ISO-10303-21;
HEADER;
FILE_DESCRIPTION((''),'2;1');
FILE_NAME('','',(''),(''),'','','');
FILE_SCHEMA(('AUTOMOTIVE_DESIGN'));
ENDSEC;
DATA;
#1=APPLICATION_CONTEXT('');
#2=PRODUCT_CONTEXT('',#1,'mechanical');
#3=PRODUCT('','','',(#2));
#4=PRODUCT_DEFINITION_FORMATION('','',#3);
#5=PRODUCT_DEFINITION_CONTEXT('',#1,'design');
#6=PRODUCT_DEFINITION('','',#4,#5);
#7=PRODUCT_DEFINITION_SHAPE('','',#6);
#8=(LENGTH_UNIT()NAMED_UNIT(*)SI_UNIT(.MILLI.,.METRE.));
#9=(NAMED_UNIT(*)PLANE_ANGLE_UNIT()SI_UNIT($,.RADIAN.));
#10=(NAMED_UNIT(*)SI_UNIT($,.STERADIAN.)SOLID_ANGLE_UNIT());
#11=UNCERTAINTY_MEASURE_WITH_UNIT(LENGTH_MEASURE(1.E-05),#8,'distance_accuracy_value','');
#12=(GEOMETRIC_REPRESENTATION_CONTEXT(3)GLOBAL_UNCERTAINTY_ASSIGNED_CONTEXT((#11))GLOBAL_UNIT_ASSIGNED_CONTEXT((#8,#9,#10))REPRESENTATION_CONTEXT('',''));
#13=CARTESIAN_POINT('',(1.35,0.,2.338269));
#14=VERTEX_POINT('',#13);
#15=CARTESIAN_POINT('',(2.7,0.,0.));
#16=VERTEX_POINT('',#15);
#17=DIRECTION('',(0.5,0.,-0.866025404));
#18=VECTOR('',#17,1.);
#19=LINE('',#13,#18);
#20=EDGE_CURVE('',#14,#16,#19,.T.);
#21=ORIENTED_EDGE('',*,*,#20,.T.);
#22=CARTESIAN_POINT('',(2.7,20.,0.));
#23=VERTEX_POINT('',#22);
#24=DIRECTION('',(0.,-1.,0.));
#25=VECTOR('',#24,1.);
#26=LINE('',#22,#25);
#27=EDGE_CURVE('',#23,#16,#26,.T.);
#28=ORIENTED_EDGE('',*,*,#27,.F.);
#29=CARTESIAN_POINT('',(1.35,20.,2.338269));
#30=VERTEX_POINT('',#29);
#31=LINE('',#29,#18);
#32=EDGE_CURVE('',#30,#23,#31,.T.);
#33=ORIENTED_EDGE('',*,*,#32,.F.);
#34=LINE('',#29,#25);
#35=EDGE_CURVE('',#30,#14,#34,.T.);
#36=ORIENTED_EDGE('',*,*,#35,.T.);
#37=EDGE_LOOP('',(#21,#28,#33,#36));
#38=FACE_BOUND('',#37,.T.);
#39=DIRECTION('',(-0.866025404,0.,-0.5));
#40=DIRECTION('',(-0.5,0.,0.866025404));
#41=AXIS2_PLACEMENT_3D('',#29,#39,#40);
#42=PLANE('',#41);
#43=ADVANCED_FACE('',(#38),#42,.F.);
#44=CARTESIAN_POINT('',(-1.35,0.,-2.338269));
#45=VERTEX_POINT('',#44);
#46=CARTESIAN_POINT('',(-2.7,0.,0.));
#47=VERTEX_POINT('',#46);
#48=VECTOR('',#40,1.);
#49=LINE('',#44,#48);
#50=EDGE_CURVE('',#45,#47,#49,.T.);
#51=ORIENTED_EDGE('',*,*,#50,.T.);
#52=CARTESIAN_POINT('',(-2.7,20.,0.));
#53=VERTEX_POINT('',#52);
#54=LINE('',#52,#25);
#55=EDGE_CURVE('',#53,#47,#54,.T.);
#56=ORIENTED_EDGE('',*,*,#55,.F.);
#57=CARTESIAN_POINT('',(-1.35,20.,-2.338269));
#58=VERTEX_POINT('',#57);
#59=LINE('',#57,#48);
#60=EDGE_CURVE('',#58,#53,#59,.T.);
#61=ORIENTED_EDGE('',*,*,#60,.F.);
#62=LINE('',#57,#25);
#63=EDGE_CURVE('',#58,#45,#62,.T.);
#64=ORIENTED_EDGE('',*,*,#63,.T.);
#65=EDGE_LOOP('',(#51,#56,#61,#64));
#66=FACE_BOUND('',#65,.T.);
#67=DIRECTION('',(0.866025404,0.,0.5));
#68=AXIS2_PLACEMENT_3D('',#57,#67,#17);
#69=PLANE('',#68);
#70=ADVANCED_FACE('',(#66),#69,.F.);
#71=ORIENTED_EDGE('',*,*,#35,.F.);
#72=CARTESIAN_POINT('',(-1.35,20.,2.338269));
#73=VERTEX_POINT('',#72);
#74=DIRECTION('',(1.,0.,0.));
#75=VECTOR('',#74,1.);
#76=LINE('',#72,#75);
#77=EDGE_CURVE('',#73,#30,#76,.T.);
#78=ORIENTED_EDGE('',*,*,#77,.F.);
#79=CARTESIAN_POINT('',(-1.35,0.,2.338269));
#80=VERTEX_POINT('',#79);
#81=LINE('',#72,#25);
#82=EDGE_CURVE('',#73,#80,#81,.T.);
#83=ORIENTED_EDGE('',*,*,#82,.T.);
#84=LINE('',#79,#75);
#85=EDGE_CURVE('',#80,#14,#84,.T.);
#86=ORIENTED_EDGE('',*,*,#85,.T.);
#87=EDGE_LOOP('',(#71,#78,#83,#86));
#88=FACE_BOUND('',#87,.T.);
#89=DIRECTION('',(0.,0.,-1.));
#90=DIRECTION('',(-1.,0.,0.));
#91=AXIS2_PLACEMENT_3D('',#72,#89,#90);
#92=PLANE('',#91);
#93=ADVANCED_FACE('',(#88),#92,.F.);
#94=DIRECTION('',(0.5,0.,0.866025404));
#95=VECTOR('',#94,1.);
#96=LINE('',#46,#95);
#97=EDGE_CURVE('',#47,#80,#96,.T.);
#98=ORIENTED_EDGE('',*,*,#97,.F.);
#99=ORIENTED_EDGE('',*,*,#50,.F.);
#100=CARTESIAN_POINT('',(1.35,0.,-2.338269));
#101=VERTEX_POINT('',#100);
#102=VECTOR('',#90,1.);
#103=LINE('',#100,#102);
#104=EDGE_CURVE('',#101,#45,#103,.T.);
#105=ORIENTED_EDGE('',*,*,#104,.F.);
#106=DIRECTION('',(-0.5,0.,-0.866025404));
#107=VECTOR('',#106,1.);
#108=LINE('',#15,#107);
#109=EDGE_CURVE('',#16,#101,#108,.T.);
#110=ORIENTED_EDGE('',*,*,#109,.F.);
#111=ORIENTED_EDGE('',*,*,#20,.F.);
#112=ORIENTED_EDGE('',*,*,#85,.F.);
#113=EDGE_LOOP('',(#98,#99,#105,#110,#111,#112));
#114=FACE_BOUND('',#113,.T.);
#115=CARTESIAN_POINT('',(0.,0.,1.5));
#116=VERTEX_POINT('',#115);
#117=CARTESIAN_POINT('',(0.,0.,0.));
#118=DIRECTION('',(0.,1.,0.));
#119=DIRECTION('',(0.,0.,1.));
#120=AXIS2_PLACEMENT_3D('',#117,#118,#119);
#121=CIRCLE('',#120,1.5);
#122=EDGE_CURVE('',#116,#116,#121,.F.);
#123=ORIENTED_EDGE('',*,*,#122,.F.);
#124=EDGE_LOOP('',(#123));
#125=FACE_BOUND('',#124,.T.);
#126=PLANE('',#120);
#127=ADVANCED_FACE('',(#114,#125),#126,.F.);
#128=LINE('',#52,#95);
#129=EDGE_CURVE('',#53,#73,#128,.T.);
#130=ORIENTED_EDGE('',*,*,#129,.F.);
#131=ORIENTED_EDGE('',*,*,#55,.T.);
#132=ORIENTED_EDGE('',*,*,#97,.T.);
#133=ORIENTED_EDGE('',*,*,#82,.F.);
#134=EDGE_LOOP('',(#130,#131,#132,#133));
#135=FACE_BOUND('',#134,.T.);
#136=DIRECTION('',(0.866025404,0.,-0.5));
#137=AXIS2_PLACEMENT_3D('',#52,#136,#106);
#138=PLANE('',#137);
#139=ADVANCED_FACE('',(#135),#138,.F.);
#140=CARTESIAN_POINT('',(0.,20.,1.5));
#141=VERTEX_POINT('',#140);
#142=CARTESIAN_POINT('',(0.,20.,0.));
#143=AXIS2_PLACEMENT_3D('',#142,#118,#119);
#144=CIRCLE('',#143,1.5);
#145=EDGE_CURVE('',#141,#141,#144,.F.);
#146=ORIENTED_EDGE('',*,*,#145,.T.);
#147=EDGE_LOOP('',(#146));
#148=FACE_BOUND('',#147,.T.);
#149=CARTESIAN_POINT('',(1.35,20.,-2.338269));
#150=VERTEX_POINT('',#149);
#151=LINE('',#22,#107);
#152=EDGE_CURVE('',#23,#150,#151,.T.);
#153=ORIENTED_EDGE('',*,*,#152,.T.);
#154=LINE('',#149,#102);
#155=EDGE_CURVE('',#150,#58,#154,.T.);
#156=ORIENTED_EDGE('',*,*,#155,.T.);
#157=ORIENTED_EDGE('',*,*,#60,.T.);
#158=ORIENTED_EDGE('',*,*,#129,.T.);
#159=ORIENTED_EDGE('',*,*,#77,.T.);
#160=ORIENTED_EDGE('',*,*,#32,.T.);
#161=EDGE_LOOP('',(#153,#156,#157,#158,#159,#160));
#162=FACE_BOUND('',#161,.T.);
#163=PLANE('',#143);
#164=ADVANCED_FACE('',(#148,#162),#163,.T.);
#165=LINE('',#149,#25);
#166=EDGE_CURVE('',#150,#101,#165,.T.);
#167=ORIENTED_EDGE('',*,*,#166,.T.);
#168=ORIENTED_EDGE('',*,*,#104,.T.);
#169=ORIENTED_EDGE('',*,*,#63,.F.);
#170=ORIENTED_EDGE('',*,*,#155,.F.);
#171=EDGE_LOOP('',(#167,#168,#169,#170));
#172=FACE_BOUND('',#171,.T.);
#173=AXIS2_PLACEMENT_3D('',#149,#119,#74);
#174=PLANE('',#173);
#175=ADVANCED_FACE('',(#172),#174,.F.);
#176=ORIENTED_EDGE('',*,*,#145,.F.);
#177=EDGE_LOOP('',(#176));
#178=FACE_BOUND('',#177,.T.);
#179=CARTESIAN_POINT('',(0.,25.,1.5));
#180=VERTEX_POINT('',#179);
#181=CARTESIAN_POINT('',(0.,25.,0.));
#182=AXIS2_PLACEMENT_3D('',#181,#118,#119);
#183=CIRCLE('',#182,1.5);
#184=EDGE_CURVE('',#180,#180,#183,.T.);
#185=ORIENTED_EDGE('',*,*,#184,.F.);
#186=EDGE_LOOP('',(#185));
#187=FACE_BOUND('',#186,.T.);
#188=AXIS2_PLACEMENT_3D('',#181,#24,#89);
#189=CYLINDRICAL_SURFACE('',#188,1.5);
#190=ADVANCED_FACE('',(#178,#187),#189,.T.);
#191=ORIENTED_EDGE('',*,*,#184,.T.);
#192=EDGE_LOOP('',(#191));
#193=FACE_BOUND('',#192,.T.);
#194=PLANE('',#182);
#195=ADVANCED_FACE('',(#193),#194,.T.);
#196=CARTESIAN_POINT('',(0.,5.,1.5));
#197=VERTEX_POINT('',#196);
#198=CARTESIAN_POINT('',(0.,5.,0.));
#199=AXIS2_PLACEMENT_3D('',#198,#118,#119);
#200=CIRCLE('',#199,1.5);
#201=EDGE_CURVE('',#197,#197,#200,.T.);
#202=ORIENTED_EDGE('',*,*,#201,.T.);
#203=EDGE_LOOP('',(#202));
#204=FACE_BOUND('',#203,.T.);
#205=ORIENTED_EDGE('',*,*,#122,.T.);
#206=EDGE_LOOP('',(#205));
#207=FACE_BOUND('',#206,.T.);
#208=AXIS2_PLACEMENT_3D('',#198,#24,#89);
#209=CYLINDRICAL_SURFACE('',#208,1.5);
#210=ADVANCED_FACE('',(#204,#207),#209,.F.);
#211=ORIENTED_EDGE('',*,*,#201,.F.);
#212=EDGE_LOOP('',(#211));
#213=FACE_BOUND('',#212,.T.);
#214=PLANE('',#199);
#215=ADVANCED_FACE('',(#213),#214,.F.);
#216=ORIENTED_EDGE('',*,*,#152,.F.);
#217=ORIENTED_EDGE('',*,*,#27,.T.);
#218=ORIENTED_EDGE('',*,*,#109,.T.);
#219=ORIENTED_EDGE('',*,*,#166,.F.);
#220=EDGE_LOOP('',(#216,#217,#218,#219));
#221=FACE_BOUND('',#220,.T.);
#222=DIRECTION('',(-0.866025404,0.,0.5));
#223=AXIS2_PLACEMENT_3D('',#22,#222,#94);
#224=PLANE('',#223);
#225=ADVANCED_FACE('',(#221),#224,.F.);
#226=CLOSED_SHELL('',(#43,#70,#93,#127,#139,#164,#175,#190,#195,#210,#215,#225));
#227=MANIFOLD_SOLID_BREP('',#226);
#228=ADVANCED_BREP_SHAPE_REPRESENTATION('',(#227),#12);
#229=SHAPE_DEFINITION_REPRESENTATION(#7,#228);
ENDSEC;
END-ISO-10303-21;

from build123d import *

# Parameters (mm, degrees)
EXTRUDE_1_DEPTH          = 20
SKETCH_2_R               = 1.5
EXTRUDE_2_DEPTH          = 25
CUT_EXTRUDE_2_DEPTH      = 5
CUT_EXTRUDE_2_DEPTH_BACK = 1
SKETCH_3_R               = 1.5


with BuildPart() as part:
    # 草图1 → 凸台-拉伸1 (new body)
    with BuildSketch(Plane(origin=(0, 0, 0), x_dir=(1, 0, 0), z_dir=(0, 1, 0))):
        Polygon((2.7, 0), (1.35, 2.33826859), (-1.35, 2.33826859), (-2.7, 0), (-1.35, -2.33826859), (1.35, -2.33826859), align=None)
    extrude(amount=EXTRUDE_1_DEPTH)

    # 草图2 → 凸台-拉伸2 (add)
    with BuildSketch(Plane(origin=(0, 0, 0), x_dir=(1, 0, 0), z_dir=(0, 1, 0))):
        with Locations(Location((0, 0, 0), (0, 0, 270))):
            Circle(SKETCH_2_R)
    extrude(amount=EXTRUDE_2_DEPTH)

    # 草图3 → 切除-拉伸2 (cut, two sides: drawn at the far end of the back side and taken through both)
    with BuildSketch(Plane(origin=(0, 0, 0), x_dir=(1, 0, 0), z_dir=(0, 1, 0)).offset(-CUT_EXTRUDE_2_DEPTH_BACK)):
        with Locations(Location((0, 0, 0), (0, 0, 270))):
            Circle(SKETCH_3_R)
    extrude(amount=CUT_EXTRUDE_2_DEPTH + CUT_EXTRUDE_2_DEPTH_BACK, mode=Mode.SUBTRACT)


solid = part.part
